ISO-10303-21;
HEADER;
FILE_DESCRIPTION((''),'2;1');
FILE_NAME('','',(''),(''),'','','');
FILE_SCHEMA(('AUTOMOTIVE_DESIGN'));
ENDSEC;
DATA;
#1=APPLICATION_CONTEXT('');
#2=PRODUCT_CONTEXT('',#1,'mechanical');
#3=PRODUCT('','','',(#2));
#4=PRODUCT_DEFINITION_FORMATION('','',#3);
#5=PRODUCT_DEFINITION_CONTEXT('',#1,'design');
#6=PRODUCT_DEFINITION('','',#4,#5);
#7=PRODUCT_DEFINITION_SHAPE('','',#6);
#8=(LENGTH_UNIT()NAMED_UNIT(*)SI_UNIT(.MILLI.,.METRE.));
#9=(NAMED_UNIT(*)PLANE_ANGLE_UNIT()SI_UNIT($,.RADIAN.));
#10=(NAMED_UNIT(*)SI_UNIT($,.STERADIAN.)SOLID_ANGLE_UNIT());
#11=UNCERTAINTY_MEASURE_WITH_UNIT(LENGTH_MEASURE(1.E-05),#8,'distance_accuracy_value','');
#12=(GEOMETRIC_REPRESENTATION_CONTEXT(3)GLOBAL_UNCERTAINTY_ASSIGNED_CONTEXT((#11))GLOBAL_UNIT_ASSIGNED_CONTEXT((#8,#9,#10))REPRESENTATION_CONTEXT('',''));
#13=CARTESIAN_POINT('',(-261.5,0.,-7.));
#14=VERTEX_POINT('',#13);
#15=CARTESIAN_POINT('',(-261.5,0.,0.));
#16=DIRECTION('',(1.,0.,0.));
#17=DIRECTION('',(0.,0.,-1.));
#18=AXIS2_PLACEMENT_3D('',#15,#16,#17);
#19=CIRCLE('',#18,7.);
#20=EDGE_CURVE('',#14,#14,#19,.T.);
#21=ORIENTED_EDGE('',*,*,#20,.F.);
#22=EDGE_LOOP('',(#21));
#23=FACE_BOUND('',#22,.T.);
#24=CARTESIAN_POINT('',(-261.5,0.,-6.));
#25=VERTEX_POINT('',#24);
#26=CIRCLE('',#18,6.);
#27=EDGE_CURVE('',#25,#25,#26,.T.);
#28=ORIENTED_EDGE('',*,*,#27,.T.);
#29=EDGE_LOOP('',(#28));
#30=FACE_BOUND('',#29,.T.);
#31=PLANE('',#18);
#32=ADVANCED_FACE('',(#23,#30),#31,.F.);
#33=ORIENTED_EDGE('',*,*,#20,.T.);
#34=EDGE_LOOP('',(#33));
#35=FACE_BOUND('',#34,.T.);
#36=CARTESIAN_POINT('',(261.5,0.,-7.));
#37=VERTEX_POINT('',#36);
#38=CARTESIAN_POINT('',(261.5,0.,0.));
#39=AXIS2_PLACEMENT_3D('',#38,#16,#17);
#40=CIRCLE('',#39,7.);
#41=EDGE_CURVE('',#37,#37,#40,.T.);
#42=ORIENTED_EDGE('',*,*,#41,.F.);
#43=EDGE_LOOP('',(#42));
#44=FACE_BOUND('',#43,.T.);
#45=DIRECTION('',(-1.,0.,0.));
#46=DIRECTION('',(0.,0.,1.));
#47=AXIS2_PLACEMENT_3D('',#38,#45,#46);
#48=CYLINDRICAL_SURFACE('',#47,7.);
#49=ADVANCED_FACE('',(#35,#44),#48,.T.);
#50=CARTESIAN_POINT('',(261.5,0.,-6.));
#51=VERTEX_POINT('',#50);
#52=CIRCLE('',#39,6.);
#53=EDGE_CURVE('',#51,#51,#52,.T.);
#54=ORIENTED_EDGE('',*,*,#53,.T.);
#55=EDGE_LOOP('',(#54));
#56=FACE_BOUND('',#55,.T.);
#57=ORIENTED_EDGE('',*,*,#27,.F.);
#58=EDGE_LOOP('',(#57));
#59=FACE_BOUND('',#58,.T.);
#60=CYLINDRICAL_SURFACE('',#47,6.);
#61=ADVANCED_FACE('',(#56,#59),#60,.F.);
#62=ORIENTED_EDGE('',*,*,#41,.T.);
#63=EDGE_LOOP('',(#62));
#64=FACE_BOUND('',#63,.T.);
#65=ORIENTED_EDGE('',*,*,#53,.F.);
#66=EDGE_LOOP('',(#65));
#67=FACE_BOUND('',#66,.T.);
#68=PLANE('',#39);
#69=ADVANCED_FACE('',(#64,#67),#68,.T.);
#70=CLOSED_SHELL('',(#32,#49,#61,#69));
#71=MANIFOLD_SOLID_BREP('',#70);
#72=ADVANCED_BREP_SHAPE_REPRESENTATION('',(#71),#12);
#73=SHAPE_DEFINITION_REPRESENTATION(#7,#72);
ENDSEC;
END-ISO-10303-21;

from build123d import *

# Parameters (mm, degrees)
IZIM1_R                     = 7
IZIM1_R_2                   = 6
Y_KSEKLIK_EKSTR_ZYON1_DEPTH = 261.5


with BuildPart() as part:
    # Çizim1 → Yükseklik-Ekstrüzyon1 (new, symmetric)
    with BuildSketch(Plane(origin=(0, 0, 0), x_dir=(0, 0, -1), z_dir=(1, 0, 0))):
        Circle(IZIM1_R)
        Circle(IZIM1_R_2, mode=Mode.SUBTRACT)
    extrude(amount=Y_KSEKLIK_EKSTR_ZYON1_DEPTH, both=True)


solid = part.part
